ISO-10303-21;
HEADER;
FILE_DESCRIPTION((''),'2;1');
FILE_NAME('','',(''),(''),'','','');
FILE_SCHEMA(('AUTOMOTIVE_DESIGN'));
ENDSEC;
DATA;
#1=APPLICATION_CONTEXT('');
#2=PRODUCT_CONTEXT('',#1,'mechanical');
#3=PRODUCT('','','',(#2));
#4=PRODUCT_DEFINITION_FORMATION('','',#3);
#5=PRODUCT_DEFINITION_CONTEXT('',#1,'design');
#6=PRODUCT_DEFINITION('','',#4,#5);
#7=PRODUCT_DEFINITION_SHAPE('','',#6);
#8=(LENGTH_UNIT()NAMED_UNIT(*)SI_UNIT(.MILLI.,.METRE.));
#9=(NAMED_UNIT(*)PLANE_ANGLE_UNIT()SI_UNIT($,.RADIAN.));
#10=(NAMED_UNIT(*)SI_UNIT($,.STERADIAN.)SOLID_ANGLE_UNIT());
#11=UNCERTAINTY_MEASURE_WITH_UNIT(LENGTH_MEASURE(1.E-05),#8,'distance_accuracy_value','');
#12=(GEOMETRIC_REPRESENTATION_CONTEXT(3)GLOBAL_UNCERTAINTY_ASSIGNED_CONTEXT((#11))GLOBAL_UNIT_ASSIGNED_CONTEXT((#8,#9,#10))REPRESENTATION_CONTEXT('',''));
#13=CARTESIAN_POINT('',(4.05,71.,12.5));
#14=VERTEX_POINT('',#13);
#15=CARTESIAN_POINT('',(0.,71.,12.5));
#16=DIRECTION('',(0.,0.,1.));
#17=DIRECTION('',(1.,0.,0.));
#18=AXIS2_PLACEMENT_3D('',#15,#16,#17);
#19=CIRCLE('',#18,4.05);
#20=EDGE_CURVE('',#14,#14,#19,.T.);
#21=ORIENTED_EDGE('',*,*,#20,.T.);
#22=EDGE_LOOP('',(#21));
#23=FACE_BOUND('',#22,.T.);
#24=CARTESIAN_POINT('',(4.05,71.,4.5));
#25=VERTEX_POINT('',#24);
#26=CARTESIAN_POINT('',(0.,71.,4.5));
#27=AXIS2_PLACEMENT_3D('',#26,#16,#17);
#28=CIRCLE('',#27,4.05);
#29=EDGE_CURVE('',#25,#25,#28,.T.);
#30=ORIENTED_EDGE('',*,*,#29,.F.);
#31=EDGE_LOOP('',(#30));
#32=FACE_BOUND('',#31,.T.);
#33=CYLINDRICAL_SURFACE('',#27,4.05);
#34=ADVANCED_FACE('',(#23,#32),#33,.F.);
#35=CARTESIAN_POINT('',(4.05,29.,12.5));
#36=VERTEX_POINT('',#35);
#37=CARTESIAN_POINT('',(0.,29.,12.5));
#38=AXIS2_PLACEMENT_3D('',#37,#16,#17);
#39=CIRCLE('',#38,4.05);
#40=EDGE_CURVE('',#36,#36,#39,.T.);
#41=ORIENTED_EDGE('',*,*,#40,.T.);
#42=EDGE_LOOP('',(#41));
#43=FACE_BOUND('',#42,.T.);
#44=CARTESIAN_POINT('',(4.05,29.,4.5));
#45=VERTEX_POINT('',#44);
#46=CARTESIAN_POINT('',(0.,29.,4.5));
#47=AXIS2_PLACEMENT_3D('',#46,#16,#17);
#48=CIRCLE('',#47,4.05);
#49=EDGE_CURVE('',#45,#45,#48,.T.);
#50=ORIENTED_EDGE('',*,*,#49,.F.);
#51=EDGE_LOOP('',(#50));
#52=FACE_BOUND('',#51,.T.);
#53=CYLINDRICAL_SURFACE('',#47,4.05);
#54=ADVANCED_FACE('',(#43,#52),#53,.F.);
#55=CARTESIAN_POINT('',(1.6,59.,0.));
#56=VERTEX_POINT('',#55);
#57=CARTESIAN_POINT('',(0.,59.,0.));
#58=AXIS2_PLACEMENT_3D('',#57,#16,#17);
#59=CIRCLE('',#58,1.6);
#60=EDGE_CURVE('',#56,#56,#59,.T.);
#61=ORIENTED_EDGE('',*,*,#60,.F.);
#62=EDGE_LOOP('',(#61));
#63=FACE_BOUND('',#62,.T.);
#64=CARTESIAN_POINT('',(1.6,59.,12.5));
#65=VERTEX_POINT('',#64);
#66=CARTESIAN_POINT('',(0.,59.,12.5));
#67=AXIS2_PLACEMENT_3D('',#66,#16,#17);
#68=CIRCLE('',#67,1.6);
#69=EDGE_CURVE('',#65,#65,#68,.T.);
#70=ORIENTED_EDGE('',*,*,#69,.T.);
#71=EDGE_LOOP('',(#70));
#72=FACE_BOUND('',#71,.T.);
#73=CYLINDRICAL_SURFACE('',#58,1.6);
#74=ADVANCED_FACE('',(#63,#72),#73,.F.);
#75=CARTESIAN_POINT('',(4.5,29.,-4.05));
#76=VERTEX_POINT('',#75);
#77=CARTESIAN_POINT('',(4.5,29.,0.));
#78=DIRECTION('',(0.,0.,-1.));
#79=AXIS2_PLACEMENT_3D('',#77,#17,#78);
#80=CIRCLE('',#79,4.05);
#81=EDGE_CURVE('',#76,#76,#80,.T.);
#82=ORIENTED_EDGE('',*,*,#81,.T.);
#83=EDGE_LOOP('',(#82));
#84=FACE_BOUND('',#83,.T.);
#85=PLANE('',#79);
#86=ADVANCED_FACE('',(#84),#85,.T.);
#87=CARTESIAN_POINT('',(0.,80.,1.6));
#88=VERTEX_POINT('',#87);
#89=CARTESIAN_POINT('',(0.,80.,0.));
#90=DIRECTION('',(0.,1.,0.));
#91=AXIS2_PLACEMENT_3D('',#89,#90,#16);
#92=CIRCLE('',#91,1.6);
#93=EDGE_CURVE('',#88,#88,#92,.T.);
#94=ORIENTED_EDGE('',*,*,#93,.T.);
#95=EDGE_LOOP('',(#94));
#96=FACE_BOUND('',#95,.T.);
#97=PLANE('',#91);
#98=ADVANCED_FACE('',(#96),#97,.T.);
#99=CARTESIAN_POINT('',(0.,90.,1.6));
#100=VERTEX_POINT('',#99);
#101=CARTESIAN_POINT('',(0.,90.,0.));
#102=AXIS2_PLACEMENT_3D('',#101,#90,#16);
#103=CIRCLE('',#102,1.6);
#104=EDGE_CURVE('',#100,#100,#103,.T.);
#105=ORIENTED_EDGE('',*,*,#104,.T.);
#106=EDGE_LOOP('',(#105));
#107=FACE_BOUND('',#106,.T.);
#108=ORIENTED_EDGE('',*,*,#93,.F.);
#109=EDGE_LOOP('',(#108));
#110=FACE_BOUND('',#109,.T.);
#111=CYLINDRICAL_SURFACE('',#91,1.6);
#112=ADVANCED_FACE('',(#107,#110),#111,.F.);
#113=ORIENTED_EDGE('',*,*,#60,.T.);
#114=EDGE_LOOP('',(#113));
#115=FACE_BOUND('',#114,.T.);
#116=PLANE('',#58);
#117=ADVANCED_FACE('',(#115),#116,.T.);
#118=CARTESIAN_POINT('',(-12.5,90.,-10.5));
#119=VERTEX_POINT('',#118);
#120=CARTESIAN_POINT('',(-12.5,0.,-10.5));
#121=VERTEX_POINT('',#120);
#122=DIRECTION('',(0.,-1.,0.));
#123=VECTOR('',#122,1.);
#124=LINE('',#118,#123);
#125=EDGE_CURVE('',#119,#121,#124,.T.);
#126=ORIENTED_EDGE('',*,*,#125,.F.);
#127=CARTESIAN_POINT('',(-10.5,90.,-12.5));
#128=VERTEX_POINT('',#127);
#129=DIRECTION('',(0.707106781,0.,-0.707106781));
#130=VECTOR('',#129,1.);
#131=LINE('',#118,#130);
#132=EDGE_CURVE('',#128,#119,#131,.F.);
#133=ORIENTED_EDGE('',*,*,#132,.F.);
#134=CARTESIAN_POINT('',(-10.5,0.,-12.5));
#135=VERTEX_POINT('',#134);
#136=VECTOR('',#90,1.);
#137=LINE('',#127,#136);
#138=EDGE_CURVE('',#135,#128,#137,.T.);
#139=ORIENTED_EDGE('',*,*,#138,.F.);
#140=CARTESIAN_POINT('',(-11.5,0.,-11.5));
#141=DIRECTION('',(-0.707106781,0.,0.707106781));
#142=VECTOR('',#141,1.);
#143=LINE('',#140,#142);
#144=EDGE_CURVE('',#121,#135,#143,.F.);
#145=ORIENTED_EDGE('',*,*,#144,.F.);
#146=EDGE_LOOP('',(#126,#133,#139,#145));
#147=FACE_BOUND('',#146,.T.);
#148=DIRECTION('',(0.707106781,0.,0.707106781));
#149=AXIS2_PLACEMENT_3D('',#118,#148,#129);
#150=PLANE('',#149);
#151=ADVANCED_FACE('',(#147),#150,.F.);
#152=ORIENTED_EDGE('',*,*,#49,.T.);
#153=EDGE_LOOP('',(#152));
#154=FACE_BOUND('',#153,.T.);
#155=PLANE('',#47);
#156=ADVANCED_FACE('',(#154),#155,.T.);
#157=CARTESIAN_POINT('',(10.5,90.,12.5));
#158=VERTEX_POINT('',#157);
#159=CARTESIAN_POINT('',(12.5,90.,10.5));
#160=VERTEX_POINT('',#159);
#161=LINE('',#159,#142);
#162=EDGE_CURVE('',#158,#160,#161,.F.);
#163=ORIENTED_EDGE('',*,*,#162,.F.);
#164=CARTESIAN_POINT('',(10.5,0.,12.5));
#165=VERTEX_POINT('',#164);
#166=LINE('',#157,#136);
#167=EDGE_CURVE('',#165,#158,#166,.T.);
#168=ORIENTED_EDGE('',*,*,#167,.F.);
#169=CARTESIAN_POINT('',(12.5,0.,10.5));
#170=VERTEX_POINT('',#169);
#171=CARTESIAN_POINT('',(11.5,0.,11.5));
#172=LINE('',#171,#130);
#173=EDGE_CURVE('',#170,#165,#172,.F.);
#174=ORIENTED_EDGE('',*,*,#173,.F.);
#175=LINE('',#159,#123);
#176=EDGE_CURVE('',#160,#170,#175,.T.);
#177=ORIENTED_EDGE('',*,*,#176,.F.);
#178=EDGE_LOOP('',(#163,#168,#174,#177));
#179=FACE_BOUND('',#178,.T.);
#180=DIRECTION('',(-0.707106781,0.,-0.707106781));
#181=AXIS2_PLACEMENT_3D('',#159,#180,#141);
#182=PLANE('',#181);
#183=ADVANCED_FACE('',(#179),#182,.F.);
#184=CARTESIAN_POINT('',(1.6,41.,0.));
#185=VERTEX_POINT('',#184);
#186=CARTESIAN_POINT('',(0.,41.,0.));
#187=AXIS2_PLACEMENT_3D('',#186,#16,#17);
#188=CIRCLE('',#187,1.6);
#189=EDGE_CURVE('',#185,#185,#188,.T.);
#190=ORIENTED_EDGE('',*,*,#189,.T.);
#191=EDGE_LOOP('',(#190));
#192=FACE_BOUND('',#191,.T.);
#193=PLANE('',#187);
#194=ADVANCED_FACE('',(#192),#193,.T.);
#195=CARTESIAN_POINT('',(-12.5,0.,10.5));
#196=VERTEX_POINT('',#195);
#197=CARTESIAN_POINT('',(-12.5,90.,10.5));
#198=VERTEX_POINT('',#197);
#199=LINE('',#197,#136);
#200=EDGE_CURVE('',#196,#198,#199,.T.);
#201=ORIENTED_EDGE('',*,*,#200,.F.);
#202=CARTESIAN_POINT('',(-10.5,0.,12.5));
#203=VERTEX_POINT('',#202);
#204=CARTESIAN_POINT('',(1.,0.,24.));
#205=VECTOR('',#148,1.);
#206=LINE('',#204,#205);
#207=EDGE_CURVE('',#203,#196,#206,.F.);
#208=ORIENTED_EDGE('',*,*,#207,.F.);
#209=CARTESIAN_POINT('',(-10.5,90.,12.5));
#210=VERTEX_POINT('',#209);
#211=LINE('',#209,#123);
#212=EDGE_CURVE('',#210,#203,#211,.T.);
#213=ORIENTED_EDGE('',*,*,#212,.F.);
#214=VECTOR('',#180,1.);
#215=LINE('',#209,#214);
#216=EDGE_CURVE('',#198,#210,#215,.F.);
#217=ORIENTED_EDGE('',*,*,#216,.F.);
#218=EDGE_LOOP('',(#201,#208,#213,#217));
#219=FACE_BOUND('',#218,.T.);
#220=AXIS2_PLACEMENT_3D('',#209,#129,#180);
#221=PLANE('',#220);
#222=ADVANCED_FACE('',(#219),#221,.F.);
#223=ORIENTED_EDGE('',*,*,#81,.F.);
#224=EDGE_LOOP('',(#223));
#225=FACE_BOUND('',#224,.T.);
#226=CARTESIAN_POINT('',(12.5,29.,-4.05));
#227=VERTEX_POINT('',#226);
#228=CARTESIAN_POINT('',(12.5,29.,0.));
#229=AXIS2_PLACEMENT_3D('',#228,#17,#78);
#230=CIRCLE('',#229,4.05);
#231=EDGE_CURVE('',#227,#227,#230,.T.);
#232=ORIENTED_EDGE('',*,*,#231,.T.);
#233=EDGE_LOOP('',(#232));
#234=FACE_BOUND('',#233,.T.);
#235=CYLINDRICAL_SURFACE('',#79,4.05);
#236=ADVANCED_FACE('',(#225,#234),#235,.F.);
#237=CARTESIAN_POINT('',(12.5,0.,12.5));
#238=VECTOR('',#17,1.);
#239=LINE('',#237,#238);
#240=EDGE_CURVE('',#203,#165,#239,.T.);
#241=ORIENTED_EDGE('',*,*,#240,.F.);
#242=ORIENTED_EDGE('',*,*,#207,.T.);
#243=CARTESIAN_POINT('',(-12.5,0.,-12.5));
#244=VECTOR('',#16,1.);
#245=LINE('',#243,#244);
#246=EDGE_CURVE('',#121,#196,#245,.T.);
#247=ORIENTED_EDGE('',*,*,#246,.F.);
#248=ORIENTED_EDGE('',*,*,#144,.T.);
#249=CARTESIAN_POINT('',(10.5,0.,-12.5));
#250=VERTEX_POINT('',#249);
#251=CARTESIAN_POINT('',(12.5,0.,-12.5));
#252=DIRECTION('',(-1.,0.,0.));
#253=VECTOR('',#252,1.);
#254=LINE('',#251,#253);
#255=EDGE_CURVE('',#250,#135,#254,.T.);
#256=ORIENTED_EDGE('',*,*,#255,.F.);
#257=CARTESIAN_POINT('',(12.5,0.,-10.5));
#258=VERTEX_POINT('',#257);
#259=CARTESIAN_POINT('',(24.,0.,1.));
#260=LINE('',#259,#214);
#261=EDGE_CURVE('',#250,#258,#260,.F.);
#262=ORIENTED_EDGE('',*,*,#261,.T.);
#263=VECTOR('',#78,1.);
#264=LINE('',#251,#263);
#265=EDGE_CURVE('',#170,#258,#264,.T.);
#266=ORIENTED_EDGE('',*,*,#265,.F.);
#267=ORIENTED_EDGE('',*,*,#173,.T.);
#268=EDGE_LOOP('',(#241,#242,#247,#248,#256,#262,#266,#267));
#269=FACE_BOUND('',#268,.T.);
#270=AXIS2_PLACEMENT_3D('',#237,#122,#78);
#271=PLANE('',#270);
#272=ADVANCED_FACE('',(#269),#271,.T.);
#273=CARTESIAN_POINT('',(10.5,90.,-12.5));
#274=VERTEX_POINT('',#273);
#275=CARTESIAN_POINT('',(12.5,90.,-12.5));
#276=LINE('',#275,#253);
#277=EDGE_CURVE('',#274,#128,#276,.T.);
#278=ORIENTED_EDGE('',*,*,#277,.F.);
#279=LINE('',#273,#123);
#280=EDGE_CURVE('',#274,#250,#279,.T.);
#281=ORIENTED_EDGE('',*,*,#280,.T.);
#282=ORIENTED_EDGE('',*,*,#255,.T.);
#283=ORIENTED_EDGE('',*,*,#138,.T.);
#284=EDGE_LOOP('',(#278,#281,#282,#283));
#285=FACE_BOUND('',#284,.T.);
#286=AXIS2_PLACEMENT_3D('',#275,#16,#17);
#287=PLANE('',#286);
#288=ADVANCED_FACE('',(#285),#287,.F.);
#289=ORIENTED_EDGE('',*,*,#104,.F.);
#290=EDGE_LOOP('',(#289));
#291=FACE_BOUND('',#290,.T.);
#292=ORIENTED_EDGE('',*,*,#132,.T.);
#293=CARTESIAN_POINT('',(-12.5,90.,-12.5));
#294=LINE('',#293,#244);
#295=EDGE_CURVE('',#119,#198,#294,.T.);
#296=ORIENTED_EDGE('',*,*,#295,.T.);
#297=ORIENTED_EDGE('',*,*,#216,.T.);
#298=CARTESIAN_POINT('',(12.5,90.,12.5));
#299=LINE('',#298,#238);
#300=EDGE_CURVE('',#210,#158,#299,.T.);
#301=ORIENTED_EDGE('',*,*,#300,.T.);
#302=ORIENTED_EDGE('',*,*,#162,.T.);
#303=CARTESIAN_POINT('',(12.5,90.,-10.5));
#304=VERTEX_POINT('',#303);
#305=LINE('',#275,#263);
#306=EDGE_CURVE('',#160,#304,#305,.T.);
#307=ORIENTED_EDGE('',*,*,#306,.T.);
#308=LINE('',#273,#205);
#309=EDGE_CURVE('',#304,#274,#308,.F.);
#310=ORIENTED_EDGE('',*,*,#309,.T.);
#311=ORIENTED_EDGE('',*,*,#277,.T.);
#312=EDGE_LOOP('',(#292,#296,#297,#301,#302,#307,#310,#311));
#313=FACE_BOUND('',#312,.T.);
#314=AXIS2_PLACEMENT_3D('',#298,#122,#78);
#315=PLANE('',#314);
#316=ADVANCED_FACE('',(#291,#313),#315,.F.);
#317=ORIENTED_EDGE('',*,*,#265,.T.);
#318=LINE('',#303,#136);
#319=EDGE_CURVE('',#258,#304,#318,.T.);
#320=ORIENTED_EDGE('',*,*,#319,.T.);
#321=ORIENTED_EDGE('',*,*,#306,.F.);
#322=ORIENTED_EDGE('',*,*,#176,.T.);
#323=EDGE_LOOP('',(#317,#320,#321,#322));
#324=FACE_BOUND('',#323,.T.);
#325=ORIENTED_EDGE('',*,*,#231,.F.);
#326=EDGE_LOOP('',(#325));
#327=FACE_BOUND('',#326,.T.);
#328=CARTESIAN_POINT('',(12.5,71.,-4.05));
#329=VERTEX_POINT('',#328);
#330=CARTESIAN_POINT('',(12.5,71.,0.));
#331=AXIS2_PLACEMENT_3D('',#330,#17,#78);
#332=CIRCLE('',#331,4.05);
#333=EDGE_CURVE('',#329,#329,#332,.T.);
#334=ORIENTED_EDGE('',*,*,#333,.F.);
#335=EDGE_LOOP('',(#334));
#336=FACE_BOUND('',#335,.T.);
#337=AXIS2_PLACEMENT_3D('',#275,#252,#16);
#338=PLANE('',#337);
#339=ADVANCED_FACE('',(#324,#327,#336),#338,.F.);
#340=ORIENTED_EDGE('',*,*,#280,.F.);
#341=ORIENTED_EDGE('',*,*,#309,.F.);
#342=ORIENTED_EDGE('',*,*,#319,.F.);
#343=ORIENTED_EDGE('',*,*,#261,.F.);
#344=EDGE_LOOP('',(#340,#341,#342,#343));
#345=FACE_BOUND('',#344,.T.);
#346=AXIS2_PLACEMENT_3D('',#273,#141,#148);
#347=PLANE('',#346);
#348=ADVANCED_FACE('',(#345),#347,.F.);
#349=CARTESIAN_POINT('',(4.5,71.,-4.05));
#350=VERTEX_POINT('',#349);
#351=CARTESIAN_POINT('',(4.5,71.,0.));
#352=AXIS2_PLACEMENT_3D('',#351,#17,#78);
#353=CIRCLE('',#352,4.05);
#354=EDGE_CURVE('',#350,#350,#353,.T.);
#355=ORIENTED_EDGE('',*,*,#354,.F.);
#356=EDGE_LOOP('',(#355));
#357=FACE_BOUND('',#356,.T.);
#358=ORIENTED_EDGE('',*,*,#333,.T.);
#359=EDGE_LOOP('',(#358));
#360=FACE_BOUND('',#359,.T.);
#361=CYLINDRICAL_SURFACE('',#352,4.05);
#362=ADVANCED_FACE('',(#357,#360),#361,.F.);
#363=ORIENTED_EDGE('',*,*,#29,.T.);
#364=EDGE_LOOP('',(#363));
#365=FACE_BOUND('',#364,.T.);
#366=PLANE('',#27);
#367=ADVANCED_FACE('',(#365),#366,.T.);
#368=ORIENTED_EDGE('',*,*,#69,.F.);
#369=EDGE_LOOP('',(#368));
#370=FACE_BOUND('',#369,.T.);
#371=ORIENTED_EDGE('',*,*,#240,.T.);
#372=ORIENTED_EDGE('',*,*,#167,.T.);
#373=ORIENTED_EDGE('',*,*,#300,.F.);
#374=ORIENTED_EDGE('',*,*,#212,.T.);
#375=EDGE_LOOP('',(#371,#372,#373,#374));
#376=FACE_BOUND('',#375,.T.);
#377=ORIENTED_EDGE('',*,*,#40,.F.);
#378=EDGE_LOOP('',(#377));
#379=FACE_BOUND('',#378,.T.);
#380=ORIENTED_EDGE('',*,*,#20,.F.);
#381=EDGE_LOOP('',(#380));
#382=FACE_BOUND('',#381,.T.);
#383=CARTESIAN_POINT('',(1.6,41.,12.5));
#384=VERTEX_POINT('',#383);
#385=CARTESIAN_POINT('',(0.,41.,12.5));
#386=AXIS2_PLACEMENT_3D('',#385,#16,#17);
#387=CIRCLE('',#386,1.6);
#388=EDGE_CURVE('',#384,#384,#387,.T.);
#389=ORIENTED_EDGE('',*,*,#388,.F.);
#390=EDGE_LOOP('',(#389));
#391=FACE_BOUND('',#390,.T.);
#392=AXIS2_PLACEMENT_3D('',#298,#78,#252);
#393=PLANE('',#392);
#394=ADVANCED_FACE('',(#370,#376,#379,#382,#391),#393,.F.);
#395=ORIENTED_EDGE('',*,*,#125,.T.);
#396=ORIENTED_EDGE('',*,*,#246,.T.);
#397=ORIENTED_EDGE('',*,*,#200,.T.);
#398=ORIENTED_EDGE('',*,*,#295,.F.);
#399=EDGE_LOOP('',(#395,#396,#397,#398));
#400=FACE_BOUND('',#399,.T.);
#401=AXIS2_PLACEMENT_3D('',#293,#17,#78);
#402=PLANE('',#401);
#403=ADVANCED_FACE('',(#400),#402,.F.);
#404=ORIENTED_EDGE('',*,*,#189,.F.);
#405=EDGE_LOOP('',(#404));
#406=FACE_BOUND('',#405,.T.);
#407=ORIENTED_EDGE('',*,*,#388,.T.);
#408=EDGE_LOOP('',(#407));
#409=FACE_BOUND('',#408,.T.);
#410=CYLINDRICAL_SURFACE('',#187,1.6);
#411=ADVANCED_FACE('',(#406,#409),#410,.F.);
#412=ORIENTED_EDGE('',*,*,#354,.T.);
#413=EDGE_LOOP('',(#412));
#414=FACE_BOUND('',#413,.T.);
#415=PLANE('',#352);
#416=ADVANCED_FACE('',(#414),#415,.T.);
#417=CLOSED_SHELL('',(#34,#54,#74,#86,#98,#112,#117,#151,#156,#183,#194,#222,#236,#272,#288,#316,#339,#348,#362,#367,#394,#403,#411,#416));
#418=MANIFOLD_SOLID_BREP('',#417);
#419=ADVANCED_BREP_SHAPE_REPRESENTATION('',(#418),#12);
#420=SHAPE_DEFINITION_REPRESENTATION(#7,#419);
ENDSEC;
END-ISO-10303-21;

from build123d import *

# Parameters (mm, degrees)
SKETCH1_W           = 25
SKETCH1_H           = 25
BOSS_EXTRUDE1_DEPTH = 90
SKETCH2_R           = 4.05
CUT_EXTRUDE1_DEPTH  = 8
SKETCH3_R           = 4.05
CUT_EXTRUDE7_DEPTH  = 8
CHAMFER1_SIZE       = 2
SKETCH5_R           = 1.6
CUT_EXTRUDE8_DEPTH  = 12.5
SKETCH6_R           = 1.6
CUT_EXTRUDE9_DEPTH  = 10


with BuildPart() as part:
    # Sketch1 → Boss-Extrude1 (new body)
    with BuildSketch(Plane(origin=(0, 0, 0), x_dir=(1, 0, 0), z_dir=(0, 1, 0))):
        Rectangle(SKETCH1_W, SKETCH1_H)
    extrude(amount=BOSS_EXTRUDE1_DEPTH)

    # Sketch2 → Cut-Extrude1 (cut)
    with BuildSketch(Plane(origin=(12.5, 0, 0), x_dir=(0, 0, -1), z_dir=(1, 0, 0))):
        with Locations((0, 71)):
            Circle(SKETCH2_R)
        with Locations((0, 29)):
            Circle(SKETCH2_R)
    extrude(amount=-CUT_EXTRUDE1_DEPTH, mode=Mode.SUBTRACT)

    # Sketch3 → Cut-Extrude7 (cut)
    with BuildSketch(Plane.XY.offset(12.5)):
        with Locations((0, 29)):
            Circle(SKETCH3_R)
        with Locations((0, 71)):
            Circle(SKETCH3_R)
    extrude(amount=-CUT_EXTRUDE7_DEPTH, mode=Mode.SUBTRACT)

    # Chamfer1
    chamfer1_edges = [part.edges().sort_by_distance(p)[0] for p in [
        (12.5, 45, 12.5),
        (-12.5, 45, 12.5),
        (-12.5, 45, -12.5),
        (12.5, 45, -12.5),
    ]]
    chamfer(chamfer1_edges, length=CHAMFER1_SIZE)

    # Sketch5 → Cut-Extrude8 (cut)
    with BuildSketch(Plane.XY.offset(12.5)):
        with Locations((0, 59)):
            Circle(SKETCH5_R)
        with Locations((0, 41)):
            Circle(SKETCH5_R)
    extrude(amount=-CUT_EXTRUDE8_DEPTH, mode=Mode.SUBTRACT)

    # Sketch6 → Cut-Extrude9 (cut)
    with BuildSketch(Plane(origin=(0, 90, 0), x_dir=(1, 0, 0), z_dir=(0, 1, 0))):
        Circle(SKETCH6_R)
    extrude(amount=-CUT_EXTRUDE9_DEPTH, mode=Mode.SUBTRACT)


solid = part.part
